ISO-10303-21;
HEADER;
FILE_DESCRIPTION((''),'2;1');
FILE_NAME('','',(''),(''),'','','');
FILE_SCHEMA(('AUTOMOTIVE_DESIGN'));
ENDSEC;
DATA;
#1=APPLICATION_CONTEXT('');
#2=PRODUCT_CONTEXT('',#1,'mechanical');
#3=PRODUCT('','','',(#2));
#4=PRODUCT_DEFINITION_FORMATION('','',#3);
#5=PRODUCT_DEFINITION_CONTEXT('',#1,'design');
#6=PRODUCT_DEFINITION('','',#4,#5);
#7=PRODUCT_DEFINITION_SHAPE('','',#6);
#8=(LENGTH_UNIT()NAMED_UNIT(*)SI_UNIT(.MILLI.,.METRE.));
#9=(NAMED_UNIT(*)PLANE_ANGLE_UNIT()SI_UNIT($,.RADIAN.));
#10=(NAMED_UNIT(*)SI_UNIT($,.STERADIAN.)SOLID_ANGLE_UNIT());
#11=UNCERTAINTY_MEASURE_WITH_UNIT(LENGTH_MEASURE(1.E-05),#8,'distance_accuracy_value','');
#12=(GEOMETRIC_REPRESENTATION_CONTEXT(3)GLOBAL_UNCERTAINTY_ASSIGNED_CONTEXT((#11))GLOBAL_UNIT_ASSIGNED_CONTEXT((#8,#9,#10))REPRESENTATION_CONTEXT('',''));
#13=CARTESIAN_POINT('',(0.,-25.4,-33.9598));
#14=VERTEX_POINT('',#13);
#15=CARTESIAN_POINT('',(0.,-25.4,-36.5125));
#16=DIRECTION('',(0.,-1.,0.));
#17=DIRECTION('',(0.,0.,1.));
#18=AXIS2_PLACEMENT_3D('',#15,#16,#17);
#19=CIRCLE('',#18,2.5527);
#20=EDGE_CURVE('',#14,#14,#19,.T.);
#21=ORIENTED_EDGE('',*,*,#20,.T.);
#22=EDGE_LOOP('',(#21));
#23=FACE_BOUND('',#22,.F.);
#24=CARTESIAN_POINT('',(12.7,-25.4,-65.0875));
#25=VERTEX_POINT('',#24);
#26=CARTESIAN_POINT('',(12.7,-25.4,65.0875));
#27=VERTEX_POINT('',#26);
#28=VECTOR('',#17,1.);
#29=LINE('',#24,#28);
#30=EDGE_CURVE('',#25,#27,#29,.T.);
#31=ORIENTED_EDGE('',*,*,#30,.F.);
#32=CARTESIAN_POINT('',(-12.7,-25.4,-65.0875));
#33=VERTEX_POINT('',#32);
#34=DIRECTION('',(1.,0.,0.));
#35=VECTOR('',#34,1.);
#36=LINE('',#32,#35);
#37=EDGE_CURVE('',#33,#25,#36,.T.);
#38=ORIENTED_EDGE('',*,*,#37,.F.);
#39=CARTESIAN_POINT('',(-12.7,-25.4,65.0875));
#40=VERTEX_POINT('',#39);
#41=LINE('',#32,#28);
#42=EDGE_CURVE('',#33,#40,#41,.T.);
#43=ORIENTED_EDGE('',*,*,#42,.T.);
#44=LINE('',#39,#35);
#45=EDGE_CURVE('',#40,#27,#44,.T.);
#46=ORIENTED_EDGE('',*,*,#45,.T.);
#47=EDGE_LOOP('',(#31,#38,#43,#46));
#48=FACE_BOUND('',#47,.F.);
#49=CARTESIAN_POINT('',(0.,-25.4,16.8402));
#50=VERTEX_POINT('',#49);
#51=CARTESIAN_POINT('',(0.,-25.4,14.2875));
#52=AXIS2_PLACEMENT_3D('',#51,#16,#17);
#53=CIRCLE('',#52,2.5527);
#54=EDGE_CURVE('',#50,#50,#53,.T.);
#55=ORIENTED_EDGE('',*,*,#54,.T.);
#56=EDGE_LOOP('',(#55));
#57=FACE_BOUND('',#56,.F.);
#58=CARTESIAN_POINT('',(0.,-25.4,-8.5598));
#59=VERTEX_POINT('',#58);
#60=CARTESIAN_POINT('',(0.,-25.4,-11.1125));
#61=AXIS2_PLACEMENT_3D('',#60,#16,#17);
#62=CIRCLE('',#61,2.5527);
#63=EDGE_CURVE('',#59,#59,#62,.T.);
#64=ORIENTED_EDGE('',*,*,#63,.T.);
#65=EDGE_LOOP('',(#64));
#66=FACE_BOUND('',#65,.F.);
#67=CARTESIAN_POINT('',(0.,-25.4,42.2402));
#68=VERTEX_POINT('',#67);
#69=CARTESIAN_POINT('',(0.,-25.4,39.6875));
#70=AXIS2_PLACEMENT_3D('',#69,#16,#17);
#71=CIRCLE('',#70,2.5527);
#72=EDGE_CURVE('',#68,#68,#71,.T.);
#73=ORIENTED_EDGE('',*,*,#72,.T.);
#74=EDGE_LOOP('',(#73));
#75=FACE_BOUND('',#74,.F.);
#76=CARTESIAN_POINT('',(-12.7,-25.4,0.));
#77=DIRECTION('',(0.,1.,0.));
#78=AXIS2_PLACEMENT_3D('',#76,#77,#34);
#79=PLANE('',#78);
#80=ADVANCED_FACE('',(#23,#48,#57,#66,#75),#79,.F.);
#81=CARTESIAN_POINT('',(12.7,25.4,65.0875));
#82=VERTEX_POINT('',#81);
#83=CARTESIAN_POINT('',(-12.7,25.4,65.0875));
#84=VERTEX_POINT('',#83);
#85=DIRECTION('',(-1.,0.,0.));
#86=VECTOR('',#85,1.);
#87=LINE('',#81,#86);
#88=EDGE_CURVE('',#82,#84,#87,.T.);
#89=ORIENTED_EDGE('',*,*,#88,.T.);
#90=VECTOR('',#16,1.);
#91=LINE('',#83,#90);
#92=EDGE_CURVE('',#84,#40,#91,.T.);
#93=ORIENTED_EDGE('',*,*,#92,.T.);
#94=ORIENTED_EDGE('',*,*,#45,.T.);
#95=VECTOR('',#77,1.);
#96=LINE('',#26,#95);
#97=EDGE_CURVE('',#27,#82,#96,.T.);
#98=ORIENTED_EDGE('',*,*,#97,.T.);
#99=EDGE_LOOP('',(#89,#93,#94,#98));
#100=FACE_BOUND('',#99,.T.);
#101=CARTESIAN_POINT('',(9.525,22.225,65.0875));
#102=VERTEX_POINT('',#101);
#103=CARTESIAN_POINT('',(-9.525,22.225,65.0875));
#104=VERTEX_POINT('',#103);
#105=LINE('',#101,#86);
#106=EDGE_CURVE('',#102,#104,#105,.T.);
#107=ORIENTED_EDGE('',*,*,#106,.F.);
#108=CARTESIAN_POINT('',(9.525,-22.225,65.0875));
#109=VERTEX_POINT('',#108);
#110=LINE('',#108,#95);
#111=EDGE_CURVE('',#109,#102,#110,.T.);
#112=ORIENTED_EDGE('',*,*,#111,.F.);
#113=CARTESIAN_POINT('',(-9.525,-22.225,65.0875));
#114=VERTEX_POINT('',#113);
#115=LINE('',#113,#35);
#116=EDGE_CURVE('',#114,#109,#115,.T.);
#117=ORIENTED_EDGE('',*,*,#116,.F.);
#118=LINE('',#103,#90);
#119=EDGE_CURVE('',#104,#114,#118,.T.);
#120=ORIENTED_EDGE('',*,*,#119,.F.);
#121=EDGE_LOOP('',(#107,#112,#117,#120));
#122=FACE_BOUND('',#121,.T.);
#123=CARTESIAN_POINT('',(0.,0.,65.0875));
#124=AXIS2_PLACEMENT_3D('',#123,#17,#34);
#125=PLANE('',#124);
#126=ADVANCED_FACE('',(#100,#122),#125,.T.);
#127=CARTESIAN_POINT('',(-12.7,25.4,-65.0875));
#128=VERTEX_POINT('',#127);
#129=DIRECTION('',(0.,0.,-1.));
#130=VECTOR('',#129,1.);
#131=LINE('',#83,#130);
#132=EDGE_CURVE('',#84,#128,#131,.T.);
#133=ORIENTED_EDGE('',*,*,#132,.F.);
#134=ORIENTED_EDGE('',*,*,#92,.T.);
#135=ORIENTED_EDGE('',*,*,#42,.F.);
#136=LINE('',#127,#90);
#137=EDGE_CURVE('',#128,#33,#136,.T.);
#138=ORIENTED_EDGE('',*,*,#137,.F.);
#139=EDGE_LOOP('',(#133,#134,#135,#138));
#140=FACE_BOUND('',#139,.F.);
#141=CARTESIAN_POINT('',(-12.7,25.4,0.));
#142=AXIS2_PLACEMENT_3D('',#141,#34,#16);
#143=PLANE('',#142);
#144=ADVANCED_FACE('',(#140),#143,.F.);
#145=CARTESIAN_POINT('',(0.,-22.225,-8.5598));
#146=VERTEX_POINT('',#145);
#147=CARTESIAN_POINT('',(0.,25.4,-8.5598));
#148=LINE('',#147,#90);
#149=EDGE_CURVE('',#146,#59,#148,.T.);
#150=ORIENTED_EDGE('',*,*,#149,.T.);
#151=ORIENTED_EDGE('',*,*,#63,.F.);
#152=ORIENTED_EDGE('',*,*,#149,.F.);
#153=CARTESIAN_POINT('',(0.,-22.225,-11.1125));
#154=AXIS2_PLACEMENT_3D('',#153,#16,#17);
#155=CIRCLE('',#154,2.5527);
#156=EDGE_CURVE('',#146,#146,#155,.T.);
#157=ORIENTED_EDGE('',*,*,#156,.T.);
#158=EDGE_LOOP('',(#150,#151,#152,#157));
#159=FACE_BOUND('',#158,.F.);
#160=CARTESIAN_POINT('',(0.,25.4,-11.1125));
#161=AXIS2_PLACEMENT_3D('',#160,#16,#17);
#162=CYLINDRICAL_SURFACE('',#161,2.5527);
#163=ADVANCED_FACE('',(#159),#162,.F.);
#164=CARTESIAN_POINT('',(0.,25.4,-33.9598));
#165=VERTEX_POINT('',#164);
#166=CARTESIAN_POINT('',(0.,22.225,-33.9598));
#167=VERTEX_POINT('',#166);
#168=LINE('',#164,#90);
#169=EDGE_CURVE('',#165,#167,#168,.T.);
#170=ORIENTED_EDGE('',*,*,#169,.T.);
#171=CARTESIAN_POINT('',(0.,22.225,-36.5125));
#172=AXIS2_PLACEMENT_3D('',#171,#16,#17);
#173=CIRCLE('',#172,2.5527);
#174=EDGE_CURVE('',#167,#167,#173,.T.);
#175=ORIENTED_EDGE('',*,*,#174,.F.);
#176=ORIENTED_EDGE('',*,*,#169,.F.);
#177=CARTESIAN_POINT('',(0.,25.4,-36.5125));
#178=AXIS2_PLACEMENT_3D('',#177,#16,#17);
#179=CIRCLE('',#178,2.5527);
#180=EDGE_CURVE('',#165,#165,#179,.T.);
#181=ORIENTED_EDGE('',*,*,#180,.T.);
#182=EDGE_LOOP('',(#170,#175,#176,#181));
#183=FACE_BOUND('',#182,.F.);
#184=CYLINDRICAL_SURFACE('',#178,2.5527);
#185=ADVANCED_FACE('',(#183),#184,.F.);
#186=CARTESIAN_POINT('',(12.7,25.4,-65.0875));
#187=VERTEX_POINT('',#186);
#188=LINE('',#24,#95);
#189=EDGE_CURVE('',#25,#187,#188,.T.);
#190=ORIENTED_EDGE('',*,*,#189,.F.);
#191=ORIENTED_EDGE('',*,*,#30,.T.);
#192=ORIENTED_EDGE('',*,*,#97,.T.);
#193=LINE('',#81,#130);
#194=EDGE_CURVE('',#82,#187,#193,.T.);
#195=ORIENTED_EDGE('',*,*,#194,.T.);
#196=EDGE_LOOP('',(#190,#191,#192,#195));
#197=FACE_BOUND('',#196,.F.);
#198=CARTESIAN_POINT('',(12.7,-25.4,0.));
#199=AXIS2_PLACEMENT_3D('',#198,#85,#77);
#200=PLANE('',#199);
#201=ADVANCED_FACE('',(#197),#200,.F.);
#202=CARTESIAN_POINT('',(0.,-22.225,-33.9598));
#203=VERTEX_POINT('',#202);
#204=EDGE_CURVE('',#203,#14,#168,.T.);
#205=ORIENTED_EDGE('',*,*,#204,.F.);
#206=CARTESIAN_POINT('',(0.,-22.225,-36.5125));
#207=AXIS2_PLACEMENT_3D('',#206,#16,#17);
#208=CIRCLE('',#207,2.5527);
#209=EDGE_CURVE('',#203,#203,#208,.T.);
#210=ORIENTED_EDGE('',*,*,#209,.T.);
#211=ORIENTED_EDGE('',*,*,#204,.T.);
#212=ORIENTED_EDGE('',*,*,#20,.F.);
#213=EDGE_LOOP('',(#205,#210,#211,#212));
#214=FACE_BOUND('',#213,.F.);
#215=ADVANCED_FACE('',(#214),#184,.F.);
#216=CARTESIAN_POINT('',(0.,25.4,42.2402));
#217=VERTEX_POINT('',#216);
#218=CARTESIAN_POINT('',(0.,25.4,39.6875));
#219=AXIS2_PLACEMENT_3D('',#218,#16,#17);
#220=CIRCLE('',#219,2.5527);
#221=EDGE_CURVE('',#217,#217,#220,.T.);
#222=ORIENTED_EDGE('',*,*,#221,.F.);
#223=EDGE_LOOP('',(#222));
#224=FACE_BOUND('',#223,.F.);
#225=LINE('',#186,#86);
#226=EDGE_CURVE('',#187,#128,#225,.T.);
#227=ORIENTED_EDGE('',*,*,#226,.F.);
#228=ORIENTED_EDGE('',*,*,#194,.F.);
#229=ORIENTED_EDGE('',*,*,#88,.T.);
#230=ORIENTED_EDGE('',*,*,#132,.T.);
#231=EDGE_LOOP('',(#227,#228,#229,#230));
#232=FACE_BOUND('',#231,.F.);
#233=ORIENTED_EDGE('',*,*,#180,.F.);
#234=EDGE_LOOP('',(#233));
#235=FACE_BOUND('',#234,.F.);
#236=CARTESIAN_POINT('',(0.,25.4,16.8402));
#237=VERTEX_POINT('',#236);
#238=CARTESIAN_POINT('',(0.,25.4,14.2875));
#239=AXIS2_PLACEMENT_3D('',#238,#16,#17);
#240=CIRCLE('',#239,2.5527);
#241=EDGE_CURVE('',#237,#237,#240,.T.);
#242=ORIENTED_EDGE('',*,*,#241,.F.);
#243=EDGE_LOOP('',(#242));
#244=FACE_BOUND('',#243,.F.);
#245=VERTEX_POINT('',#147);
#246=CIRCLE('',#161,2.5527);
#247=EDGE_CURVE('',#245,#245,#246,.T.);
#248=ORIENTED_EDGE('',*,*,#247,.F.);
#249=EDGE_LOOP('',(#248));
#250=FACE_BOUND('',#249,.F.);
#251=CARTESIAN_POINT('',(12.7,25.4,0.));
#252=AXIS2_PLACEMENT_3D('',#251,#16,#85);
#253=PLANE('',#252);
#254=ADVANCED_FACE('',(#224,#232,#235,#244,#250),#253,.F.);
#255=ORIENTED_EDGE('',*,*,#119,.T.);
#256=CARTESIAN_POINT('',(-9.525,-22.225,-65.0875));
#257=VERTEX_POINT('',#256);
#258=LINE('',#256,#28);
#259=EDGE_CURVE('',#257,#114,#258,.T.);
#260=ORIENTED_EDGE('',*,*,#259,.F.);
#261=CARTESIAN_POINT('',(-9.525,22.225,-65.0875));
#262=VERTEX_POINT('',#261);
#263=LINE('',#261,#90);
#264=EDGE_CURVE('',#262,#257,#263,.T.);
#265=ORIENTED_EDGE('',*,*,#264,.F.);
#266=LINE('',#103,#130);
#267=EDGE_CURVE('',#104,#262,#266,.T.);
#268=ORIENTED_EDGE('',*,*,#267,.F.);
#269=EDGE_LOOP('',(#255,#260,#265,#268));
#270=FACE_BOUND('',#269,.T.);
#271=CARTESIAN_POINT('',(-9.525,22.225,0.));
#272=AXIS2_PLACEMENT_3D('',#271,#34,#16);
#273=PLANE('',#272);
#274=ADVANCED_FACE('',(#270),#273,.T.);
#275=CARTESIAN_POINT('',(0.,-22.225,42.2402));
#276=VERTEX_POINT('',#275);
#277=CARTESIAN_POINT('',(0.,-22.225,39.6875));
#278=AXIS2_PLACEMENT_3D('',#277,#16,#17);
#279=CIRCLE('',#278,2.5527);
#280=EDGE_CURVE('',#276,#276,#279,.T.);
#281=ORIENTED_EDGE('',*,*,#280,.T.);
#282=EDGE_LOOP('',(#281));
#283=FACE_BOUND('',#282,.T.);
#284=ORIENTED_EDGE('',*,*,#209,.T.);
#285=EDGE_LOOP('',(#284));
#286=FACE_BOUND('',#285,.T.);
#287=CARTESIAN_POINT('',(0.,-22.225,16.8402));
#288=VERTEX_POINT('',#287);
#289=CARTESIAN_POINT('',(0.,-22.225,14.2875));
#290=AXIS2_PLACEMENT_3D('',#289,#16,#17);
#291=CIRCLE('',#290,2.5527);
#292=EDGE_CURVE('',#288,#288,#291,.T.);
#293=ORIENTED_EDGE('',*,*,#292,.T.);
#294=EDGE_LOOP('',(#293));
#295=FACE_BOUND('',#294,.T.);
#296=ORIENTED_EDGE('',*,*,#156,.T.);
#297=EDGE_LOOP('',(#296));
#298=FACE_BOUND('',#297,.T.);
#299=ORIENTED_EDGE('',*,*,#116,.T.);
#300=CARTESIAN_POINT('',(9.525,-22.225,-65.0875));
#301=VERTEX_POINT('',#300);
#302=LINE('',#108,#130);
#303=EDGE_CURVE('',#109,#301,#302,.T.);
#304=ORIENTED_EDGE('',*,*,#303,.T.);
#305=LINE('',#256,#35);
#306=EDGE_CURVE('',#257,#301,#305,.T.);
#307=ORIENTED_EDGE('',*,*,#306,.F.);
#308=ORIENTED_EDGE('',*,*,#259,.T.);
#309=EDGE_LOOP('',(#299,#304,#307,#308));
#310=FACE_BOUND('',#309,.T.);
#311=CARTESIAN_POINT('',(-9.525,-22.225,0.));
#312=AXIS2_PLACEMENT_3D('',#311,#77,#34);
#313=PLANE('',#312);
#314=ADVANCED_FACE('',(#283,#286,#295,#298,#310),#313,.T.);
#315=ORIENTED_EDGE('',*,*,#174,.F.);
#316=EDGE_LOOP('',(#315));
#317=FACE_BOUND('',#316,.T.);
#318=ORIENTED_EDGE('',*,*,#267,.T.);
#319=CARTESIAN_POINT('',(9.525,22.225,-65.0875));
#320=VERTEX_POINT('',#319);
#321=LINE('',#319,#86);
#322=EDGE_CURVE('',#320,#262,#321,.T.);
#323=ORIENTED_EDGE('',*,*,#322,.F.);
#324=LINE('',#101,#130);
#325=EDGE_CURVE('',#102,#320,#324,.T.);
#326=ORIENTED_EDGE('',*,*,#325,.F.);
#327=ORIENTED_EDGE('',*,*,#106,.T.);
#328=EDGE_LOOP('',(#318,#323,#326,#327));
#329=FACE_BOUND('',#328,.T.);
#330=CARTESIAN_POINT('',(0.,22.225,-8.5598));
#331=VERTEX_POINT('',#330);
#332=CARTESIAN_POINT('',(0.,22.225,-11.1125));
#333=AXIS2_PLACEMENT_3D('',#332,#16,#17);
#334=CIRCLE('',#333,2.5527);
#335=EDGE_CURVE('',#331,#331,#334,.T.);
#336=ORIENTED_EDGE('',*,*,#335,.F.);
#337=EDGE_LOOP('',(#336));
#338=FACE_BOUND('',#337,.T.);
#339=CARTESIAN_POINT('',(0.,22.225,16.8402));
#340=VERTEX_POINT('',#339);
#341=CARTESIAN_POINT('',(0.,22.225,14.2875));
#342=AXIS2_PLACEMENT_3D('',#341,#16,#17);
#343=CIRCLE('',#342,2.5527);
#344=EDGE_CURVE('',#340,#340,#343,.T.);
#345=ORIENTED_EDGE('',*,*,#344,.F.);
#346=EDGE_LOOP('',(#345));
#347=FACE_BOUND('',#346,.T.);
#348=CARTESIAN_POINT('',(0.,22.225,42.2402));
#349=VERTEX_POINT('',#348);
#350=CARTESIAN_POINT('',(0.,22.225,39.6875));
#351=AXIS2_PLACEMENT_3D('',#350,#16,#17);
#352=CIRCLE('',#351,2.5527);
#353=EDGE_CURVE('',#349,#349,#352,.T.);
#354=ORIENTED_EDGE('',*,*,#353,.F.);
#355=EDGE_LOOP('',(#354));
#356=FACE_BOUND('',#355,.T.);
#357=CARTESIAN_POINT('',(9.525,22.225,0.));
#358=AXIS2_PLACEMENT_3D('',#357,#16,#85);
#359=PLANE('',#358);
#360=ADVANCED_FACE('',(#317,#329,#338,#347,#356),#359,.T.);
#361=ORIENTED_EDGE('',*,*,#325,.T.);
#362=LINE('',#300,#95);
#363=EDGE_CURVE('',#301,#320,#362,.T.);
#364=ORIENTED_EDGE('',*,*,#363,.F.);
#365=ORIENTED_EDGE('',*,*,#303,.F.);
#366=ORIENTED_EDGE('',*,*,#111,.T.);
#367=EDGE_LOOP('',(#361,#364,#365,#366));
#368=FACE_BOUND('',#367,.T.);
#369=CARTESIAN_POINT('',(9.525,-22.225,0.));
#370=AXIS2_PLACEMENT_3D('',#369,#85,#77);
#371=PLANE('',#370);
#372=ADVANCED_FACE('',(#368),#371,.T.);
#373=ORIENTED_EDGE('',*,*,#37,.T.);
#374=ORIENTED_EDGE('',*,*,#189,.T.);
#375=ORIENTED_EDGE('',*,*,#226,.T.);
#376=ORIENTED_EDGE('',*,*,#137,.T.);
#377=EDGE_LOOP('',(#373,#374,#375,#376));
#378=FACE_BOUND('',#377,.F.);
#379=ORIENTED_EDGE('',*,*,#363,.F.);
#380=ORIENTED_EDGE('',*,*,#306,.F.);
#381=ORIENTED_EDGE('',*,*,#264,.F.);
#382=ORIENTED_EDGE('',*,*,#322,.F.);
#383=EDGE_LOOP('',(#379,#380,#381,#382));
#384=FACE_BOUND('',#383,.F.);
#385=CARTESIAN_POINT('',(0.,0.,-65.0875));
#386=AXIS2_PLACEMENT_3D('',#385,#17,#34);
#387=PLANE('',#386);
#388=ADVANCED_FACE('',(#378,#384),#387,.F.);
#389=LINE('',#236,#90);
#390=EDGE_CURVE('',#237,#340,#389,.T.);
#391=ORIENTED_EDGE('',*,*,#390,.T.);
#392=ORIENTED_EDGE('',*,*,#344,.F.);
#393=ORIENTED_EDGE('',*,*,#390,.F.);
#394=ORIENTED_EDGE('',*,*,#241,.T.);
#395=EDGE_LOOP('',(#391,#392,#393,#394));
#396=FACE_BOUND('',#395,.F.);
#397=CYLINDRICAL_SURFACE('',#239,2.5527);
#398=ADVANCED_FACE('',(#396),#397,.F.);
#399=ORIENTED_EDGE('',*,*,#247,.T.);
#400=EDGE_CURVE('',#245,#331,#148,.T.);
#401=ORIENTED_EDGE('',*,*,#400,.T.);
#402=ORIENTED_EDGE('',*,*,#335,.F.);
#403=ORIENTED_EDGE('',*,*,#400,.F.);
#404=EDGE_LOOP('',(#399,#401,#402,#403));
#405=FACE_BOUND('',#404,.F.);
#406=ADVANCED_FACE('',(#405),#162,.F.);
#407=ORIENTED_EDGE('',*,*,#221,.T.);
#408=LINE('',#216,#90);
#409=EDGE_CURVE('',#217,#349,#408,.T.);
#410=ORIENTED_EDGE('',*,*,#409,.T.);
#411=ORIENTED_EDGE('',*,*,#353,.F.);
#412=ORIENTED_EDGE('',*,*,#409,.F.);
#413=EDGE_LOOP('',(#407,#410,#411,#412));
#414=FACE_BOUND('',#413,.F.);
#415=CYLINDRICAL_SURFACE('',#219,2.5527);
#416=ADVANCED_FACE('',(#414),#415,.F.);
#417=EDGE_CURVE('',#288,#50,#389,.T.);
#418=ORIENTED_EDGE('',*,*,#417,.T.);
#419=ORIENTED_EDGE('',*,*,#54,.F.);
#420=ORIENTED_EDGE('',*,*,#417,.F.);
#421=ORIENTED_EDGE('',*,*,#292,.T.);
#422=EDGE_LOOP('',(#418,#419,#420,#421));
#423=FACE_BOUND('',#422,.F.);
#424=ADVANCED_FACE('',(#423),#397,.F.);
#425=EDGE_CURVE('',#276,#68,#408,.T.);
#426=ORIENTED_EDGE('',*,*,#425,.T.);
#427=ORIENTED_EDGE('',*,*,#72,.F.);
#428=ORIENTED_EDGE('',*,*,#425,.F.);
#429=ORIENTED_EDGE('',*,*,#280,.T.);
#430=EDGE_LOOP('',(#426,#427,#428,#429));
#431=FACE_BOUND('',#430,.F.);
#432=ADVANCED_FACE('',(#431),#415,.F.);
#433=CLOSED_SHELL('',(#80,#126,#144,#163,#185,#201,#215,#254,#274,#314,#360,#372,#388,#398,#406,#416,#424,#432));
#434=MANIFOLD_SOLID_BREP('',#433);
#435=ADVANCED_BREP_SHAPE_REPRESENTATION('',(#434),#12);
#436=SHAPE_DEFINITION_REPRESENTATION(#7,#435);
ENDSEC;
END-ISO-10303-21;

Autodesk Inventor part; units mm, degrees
ref_plane "YZ Plane" through (0, 0, 0) normal (1, 0, 0) x (0, 1, 0)
ref_plane "XZ Plane" through (0, 0, 0) normal (0, 1, 0) x (-1, 0, 0)
ref_plane "XY Plane" through (0, 0, 0) normal (0, 0, 1) x (1, 0, 0)
sketch "Sketch1" plane through (0, 0, 0) normal (0, 0, 1) x (1, 0, 0)
  line L0 (-12.7, -25.4) -> (12.7, -25.4)
  line L1 (12.7, -25.4) -> (12.7, 25.4)
  line L2 (12.7, 25.4) -> (-12.7, 25.4)
  line L3 (-12.7, 25.4) -> (-12.7, -25.4)
  line L4 (-12.7, -25.4) -> (12.7, 25.4) construction
  line L5 (12.7, -25.4) -> (-12.7, 25.4) construction
  line L6 (-9.525, -22.225) -> (9.525, -22.225)
  line L7 (9.525, -22.225) -> (9.525, 22.225)
  line L8 (9.525, 22.225) -> (-9.525, 22.225)
  line L9 (-9.525, 22.225) -> (-9.525, -22.225)
  line L10 (-9.525, -22.225) -> (9.525, 22.225) construction
  line L11 (9.525, -22.225) -> (-9.525, 22.225) construction
  point P0 (0, 0)
  dimension "d0" = 25.4
  dimension "d1" = 50.8
  dimension "d2" = 3.175
  dimension "d3" = 3.175
extrude "Extrusion1" add sketch "Sketch1" along normal mid plane 130.175
sketch "Sketch2" plane through (-12.7, 25.4, 65.0875) normal (0, 1, 0) x (1, 0, 0)
  line L0 (25.4, 0) -> (0, 0) construction
  line L1 (12.7, 0) -> (12.7, 130.175) construction
  line L2 (22.225, 130.175) -> (3.175, 130.175) construction
  point P0 (12.7, 65.0875)
  point P1 (12.7, 25.4)
  point P2 (12.7, 50.8)
  point P3 (12.7, 76.2)
  point P4 (12.7, 101.6)
  dimension "d6" = 25.4
  dimension "d9" = 25.4
hole "Hole1" at (0, 25.4, 39.6875) at (0, 25.4, 14.2875) at (0, 25.4, -11.1125) at (0, 25.4, -36.5125) direction (0, -1, 0) diameter 5.1054 end through all clearance for "Flat Head Machine Screw (82)" size "#10" standard "Ansi Unified Screw Threads"
properties part number "SupportForWinchSupport" material "Aluminum 6061"
